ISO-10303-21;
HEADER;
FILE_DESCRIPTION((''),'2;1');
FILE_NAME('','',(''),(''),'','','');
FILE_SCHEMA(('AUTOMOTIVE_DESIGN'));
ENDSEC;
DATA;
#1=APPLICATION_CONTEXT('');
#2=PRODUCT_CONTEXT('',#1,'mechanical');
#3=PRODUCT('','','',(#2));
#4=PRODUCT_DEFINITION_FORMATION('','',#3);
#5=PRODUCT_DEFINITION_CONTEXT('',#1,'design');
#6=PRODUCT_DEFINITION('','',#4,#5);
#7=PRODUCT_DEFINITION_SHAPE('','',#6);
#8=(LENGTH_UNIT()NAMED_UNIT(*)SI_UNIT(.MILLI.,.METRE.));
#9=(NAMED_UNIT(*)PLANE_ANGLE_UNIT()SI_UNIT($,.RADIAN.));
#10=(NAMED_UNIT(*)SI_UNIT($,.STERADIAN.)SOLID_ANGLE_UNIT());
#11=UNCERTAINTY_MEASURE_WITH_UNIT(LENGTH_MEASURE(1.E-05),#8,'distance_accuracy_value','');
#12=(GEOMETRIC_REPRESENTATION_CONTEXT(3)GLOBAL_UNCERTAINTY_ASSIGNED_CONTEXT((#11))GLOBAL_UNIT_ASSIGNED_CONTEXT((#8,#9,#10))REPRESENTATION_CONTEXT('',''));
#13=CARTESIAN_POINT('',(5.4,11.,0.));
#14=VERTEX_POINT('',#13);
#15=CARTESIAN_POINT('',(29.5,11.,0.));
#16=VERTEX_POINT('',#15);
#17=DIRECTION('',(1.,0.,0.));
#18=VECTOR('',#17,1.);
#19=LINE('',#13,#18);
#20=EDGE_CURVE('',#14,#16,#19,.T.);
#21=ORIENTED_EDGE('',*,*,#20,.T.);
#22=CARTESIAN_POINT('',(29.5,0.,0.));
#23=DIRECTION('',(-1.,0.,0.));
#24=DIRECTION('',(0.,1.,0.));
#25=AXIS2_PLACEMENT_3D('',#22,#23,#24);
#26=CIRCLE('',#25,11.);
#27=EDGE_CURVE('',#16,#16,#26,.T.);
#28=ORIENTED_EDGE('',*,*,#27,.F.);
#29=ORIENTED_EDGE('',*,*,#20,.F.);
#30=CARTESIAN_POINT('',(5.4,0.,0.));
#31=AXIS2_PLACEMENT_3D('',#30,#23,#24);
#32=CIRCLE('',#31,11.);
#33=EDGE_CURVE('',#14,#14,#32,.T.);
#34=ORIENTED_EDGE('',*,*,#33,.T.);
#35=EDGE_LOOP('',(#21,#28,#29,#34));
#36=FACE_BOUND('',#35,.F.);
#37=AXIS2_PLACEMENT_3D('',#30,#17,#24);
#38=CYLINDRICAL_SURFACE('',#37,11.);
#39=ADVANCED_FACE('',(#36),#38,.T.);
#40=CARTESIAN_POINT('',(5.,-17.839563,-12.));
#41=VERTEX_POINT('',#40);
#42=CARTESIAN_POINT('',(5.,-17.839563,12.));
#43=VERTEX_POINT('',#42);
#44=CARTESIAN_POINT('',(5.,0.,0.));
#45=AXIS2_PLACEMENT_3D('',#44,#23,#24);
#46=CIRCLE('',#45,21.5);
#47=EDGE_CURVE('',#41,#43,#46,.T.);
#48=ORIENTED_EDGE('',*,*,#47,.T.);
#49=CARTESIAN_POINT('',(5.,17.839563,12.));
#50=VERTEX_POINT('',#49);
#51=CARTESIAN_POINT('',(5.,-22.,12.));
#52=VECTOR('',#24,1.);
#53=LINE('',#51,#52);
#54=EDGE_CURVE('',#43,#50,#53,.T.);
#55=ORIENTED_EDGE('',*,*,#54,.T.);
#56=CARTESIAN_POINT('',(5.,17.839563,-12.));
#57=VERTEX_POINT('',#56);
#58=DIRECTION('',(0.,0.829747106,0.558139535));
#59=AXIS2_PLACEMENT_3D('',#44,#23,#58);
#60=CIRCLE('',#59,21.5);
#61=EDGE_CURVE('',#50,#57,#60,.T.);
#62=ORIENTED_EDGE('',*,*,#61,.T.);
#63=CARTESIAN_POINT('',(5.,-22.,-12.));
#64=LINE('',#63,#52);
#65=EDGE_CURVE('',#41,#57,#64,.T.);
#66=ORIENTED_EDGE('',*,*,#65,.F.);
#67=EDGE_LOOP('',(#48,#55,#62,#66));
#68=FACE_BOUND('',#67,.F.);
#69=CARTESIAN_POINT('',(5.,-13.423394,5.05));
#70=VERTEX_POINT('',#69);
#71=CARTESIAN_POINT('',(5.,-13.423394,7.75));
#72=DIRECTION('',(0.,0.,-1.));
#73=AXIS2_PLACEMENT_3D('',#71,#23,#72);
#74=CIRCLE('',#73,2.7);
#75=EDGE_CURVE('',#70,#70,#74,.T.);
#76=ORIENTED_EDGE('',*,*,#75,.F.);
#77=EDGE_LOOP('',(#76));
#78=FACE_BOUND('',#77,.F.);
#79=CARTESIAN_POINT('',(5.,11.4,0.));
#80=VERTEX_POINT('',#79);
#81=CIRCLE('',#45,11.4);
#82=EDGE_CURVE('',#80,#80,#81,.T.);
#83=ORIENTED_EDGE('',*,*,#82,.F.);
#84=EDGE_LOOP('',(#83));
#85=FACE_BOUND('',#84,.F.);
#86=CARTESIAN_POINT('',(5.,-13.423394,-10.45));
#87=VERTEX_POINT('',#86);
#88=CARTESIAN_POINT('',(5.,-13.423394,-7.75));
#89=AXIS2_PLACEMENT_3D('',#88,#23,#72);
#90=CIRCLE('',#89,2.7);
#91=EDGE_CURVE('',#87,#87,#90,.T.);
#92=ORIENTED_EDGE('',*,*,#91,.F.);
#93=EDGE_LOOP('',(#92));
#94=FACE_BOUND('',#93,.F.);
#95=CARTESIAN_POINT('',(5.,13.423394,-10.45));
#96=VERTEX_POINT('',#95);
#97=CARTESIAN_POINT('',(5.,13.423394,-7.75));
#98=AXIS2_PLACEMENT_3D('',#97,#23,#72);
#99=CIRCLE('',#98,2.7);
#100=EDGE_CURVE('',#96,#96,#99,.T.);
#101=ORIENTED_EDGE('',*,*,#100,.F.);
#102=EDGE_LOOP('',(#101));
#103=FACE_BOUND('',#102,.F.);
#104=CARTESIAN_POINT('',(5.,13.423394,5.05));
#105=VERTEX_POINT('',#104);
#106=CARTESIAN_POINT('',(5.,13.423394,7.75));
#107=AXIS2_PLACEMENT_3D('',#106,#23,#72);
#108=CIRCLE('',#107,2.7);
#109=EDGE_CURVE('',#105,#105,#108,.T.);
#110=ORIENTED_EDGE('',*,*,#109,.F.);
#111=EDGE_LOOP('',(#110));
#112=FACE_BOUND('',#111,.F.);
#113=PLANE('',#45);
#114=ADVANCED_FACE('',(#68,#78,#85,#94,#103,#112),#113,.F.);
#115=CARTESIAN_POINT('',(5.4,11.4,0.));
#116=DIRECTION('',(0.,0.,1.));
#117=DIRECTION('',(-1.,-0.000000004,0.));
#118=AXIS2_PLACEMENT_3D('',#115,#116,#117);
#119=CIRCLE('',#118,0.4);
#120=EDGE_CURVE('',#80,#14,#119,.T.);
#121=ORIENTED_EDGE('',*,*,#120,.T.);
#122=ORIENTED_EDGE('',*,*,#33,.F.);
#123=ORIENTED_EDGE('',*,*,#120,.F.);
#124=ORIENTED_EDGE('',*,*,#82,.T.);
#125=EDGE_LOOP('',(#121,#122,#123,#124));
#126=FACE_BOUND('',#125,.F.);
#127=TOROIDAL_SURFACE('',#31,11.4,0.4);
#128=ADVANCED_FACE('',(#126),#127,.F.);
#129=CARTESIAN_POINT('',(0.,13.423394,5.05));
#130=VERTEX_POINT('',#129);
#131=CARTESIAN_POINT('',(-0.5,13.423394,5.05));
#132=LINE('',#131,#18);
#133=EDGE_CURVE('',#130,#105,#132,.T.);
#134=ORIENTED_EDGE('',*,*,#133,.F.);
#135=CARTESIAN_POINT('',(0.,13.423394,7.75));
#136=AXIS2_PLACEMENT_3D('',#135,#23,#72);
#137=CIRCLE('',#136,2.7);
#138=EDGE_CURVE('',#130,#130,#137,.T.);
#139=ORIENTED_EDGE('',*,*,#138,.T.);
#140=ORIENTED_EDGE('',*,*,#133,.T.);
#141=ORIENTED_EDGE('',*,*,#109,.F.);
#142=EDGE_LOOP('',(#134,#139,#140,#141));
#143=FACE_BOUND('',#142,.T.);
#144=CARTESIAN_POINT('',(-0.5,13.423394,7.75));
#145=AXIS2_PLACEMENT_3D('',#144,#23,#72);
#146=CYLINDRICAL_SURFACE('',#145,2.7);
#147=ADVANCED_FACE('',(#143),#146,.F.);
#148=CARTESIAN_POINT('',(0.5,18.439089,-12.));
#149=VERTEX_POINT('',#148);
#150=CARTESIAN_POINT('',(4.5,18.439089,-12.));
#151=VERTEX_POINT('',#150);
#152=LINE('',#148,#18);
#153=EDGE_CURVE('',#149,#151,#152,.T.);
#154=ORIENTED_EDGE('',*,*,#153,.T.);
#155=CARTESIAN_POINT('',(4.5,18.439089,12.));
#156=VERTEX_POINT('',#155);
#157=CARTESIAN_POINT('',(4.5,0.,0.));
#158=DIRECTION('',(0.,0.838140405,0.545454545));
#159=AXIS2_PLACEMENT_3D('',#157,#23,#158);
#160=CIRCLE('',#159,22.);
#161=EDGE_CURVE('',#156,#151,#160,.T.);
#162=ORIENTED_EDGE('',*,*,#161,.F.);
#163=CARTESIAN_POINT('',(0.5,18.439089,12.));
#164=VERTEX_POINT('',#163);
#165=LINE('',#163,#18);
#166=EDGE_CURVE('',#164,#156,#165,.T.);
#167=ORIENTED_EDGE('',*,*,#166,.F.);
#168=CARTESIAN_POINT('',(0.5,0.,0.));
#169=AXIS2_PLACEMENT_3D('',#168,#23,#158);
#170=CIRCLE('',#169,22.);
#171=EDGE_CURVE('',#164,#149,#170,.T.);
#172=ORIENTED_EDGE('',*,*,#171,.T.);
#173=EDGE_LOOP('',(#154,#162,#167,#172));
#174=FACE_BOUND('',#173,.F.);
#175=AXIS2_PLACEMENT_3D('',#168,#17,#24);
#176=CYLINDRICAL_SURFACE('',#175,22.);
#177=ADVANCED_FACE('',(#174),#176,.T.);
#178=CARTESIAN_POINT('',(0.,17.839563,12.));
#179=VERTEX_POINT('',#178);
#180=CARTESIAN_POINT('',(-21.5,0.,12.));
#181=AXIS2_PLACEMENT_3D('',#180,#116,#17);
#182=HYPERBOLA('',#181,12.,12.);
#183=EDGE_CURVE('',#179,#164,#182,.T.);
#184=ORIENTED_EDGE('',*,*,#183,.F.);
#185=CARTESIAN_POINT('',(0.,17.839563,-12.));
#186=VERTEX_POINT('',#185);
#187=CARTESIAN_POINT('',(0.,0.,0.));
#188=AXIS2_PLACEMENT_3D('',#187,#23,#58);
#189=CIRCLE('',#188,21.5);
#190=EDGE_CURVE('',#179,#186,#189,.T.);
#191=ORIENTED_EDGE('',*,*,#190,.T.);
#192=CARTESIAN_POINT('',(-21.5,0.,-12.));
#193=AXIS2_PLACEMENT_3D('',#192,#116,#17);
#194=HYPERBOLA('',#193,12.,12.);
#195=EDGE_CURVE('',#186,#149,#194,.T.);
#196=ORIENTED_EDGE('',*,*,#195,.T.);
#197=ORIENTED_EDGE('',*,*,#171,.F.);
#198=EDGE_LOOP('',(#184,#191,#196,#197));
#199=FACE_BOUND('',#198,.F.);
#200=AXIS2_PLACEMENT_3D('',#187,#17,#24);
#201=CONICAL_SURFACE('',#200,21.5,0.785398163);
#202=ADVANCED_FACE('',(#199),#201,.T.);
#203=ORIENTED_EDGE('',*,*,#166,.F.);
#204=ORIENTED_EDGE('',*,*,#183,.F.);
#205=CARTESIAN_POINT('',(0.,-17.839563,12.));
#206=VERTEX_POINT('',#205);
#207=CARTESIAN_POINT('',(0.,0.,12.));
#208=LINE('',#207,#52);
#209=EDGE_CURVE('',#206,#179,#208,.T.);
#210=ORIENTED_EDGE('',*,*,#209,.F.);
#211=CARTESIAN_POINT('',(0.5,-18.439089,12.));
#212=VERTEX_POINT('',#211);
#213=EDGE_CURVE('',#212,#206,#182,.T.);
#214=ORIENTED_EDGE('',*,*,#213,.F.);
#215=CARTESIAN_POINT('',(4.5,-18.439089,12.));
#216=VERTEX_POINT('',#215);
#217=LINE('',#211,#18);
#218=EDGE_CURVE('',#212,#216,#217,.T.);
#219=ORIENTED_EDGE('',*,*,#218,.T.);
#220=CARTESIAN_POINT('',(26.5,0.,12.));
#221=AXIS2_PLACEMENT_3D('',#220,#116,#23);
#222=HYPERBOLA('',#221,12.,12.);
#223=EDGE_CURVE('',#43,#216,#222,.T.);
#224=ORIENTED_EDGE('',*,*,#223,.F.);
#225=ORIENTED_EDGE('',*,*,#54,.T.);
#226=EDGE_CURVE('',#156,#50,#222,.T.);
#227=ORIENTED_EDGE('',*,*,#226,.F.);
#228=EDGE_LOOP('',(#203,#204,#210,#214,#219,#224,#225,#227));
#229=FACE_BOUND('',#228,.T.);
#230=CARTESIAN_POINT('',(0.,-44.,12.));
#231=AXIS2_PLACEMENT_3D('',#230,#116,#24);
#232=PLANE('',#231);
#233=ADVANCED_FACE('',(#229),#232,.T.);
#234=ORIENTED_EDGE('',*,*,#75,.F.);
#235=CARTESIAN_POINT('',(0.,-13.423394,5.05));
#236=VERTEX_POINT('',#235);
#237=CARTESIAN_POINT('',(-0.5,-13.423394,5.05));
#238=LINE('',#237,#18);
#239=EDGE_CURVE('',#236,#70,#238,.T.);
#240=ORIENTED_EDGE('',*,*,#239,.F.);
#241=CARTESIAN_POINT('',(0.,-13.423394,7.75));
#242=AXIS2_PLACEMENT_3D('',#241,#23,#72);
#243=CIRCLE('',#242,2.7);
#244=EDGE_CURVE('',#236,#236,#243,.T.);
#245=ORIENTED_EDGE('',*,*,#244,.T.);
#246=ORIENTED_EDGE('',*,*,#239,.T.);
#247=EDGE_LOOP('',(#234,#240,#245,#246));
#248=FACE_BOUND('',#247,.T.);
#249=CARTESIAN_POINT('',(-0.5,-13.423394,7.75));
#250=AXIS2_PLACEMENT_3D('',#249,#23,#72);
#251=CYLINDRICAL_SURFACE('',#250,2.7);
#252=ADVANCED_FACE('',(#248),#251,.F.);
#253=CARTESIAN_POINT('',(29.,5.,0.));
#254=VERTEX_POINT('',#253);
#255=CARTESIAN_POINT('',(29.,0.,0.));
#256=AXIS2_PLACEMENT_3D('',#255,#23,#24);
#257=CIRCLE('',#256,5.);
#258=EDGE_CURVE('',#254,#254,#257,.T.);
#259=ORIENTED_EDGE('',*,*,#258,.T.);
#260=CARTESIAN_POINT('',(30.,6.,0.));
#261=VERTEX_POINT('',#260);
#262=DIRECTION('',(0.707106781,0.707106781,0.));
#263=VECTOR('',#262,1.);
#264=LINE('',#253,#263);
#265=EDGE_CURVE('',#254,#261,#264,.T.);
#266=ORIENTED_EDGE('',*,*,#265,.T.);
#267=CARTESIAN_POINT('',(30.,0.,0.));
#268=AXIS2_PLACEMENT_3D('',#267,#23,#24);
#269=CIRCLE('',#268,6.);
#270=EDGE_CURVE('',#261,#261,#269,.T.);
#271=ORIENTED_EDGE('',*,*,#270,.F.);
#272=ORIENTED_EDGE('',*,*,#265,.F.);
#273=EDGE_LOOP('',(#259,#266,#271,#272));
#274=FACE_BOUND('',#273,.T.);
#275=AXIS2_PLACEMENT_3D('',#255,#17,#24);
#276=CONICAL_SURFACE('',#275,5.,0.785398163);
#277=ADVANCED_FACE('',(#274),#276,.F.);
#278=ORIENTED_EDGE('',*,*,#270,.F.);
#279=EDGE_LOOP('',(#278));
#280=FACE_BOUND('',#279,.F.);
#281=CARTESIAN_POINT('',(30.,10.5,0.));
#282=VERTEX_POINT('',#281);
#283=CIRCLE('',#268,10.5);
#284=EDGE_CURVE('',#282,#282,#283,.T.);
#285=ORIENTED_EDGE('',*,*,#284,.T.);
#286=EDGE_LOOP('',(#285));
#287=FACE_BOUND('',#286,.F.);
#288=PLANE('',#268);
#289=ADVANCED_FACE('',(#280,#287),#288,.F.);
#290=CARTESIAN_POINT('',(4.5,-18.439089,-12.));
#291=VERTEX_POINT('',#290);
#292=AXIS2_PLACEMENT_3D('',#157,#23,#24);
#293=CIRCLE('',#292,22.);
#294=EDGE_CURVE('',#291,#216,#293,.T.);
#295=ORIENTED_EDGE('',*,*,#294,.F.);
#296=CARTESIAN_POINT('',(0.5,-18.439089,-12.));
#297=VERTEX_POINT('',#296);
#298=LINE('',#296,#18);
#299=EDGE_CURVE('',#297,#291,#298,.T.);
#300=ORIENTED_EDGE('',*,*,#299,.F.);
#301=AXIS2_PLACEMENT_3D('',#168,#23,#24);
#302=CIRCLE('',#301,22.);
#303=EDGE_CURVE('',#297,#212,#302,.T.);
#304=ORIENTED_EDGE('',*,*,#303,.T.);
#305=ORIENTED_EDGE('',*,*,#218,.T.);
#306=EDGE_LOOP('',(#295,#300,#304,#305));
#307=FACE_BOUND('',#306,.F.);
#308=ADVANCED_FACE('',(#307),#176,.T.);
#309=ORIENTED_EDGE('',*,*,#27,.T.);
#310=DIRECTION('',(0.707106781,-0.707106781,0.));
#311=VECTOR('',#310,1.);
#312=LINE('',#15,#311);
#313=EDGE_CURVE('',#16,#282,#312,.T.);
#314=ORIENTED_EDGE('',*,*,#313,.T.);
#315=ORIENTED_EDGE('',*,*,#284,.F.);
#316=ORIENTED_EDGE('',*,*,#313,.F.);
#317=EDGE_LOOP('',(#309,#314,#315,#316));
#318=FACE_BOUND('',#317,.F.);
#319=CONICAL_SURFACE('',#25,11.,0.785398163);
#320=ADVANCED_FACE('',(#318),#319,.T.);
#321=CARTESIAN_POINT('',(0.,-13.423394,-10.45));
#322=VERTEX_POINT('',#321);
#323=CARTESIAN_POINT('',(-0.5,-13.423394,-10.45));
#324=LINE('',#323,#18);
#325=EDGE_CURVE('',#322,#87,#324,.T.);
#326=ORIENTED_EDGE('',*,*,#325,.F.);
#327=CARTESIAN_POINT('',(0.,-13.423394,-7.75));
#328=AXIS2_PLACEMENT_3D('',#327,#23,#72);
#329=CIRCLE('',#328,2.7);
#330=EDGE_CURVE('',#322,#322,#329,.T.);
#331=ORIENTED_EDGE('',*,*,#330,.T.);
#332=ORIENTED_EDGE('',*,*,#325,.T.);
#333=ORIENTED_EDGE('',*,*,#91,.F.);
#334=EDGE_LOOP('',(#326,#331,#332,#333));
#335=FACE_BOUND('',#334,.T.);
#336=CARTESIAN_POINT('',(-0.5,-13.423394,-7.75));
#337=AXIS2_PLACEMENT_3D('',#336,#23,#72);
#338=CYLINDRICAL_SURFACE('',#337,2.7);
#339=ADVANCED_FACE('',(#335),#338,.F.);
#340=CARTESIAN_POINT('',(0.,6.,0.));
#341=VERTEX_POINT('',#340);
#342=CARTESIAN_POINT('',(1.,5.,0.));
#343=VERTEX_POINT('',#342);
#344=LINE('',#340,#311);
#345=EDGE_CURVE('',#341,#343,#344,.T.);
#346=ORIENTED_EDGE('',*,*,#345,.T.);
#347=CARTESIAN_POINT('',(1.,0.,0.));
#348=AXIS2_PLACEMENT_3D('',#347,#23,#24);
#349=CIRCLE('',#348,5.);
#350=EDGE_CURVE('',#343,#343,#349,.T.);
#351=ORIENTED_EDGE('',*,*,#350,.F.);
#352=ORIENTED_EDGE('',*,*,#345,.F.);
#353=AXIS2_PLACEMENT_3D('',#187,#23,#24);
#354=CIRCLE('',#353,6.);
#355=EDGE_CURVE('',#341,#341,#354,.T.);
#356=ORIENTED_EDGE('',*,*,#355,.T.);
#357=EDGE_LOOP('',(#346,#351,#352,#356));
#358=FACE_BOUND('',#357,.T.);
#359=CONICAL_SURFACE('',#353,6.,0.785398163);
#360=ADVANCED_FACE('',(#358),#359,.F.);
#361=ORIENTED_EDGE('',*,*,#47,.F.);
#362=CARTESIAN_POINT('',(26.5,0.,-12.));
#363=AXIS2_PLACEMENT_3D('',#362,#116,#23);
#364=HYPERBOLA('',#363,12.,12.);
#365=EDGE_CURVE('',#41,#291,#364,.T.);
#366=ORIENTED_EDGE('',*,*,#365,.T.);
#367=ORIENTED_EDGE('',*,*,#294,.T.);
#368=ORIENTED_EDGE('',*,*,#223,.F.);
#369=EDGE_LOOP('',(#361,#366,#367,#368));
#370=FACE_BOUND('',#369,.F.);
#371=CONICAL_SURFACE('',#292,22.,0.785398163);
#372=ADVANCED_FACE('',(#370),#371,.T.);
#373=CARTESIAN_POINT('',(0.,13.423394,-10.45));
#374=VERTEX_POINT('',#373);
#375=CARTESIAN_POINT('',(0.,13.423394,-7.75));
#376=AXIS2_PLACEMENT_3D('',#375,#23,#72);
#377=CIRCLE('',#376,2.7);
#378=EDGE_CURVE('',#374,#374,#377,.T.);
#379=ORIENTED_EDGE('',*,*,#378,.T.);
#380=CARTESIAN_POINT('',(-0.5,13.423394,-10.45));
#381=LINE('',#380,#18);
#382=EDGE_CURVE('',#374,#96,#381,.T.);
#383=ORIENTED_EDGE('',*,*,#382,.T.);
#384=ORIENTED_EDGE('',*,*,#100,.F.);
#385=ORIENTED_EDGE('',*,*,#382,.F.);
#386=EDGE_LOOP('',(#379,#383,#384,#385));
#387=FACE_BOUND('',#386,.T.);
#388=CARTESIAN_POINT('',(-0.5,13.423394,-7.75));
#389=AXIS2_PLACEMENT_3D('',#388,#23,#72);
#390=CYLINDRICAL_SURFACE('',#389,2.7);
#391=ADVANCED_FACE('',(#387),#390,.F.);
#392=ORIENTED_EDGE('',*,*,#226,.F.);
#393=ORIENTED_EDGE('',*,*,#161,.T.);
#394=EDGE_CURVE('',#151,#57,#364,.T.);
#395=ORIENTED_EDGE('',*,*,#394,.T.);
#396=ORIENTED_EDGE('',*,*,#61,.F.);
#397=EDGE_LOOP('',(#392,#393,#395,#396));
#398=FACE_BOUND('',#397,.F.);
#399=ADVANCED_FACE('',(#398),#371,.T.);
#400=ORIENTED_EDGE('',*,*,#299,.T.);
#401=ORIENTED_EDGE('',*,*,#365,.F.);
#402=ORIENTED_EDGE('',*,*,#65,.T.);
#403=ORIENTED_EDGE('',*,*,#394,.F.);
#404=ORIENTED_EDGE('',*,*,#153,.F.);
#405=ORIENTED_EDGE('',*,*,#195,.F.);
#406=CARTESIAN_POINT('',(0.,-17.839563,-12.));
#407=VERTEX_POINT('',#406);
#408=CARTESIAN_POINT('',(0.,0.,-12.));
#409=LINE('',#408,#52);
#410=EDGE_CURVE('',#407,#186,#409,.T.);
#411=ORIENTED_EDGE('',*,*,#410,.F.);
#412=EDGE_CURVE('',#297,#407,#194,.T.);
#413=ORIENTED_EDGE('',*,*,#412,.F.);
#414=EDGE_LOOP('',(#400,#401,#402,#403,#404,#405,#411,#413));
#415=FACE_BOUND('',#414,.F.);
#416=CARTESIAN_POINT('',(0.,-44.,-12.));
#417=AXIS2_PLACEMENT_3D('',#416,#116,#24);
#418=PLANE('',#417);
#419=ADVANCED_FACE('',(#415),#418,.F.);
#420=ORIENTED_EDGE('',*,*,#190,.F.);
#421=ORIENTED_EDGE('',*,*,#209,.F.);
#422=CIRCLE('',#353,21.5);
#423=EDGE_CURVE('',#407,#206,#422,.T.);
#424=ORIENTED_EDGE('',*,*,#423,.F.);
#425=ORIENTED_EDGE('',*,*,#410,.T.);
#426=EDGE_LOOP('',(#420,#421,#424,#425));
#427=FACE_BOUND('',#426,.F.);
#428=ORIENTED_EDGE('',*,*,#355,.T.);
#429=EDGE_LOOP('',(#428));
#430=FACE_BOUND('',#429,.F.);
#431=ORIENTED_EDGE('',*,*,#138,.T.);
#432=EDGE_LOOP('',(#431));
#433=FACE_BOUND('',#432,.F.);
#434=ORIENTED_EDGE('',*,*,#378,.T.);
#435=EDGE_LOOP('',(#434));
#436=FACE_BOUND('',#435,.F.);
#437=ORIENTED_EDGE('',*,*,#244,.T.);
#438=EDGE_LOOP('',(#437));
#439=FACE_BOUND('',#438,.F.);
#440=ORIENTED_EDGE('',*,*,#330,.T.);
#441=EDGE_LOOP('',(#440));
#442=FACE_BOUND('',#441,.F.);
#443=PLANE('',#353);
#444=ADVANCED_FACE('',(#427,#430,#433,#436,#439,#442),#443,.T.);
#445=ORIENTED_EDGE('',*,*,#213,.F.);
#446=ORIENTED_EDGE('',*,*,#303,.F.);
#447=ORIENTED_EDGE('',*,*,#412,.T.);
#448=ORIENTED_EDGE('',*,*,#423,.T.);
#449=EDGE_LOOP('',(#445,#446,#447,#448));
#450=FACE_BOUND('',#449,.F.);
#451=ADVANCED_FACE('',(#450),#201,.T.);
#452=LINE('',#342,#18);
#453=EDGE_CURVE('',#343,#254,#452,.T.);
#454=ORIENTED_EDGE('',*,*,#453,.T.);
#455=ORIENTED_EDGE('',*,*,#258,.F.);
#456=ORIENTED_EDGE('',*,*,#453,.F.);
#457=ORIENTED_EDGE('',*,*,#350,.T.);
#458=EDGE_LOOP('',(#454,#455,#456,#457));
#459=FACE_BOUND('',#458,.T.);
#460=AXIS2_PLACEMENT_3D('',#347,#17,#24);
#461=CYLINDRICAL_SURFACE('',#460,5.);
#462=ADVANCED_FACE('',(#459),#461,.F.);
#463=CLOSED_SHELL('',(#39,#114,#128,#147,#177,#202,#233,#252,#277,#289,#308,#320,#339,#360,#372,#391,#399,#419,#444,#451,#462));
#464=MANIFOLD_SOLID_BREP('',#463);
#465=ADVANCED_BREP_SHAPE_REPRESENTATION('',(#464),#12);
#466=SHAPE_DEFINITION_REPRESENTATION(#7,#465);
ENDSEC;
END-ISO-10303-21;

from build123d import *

# Parameters (mm, degrees)
SKETCH3_W               = 48
SKETCH3_H               = 132
SKETCH3_W_2             = 24
SKETCH3_H_2             = 88
CUT_EXTRUDE1_DEPTH      = 7.5
CUT_EXTRUDE1_DEPTH_BACK = 7.5
SKETCH4_R               = 2.7
CUT_EXTRUDE2_DEPTH      = 6
SKETCH5_R               = 2.7
CUT_EXTRUDE3_DEPTH      = 6
SKETCH6_R               = 2.7
CUT_EXTRUDE4_DEPTH      = 6
SKETCH7_R               = 2.7
CUT_EXTRUDE5_DEPTH      = 6


with BuildPart() as part:
    # Sketch1 → Revolve1 (revolve)
    with BuildSketch(Plane.XY):
        with BuildLine():
            Line((0, 0), (0, 21.5))
            Line((0, 21.5), (0.5, 22))
            Line((0.5, 22), (4.5, 22))
            Line((4.5, 22), (5, 21.5))
            Line((5, 21.5), (5, 11.4))
            ThreePointArc((5, 11.4), (5.117157288, 11.117157288), (5.4, 11))
            Line((5.4, 11), (29.5, 11))
            Line((29.5, 11), (30, 10.5))
            Line((30, 10.5), (30, 0))
            Line((30, 0), (0, 0))
        make_face()
    revolve(axis=Axis((30, 0, 0), (-1, 0, 0)))

    # Sketch2 → Cut-Revolve1 (revolve, cut)
    with BuildSketch(Plane.XY):
        Polygon((0, 0), (0, 6), (1, 5), (29, 5), (30, 6), (30, 0), align=None)
    revolve(axis=Axis((30, 0, 0), (-1, 0, 0)), mode=Mode.SUBTRACT)

    # Sketch3 → Cut-Extrude1 (cut, two sides)
    with BuildSketch(Plane(origin=(0, 0, 0), x_dir=(0, 0, -1), z_dir=(1, 0, 0))) as cut_extrude1_sk:
        Rectangle(SKETCH3_W, SKETCH3_H)
        Rectangle(SKETCH3_W_2, SKETCH3_H_2, mode=Mode.SUBTRACT)
    extrude(amount=CUT_EXTRUDE1_DEPTH, mode=Mode.SUBTRACT)
    extrude(cut_extrude1_sk.sketch, amount=-CUT_EXTRUDE1_DEPTH_BACK, mode=Mode.SUBTRACT)

    # Sketch4 → Cut-Extrude2 (cut)
    with BuildSketch(Plane(origin=(-0.5, 0, 0), x_dir=(0, 0, -1), z_dir=(1, 0, 0))):
        with Locations((-7.75, 13.423393759)):
            Circle(SKETCH4_R)
    extrude(amount=CUT_EXTRUDE2_DEPTH, mode=Mode.SUBTRACT)

    # Sketch5 → Cut-Extrude3 (cut)
    with BuildSketch(Plane(origin=(-0.5, 0, 0), x_dir=(0, 0, -1), z_dir=(1, 0, 0))):
        with Locations((-7.75, -13.423393759)):
            Circle(SKETCH5_R)
    extrude(amount=CUT_EXTRUDE3_DEPTH, mode=Mode.SUBTRACT)

    # Sketch6 → Cut-Extrude4 (cut)
    with BuildSketch(Plane(origin=(-0.5, 0, 0), x_dir=(0, 0, -1), z_dir=(1, 0, 0))):
        with Locations((7.75, -13.423393759)):
            Circle(SKETCH6_R)
    extrude(amount=CUT_EXTRUDE4_DEPTH, mode=Mode.SUBTRACT)

    # Sketch7 → Cut-Extrude5 (cut)
    with BuildSketch(Plane(origin=(-0.5, 0, 0), x_dir=(0, 0, -1), z_dir=(1, 0, 0))):
        with Locations((7.75, 13.423393759)):
            Circle(SKETCH7_R)
    extrude(amount=CUT_EXTRUDE5_DEPTH, mode=Mode.SUBTRACT)


solid = part.part
